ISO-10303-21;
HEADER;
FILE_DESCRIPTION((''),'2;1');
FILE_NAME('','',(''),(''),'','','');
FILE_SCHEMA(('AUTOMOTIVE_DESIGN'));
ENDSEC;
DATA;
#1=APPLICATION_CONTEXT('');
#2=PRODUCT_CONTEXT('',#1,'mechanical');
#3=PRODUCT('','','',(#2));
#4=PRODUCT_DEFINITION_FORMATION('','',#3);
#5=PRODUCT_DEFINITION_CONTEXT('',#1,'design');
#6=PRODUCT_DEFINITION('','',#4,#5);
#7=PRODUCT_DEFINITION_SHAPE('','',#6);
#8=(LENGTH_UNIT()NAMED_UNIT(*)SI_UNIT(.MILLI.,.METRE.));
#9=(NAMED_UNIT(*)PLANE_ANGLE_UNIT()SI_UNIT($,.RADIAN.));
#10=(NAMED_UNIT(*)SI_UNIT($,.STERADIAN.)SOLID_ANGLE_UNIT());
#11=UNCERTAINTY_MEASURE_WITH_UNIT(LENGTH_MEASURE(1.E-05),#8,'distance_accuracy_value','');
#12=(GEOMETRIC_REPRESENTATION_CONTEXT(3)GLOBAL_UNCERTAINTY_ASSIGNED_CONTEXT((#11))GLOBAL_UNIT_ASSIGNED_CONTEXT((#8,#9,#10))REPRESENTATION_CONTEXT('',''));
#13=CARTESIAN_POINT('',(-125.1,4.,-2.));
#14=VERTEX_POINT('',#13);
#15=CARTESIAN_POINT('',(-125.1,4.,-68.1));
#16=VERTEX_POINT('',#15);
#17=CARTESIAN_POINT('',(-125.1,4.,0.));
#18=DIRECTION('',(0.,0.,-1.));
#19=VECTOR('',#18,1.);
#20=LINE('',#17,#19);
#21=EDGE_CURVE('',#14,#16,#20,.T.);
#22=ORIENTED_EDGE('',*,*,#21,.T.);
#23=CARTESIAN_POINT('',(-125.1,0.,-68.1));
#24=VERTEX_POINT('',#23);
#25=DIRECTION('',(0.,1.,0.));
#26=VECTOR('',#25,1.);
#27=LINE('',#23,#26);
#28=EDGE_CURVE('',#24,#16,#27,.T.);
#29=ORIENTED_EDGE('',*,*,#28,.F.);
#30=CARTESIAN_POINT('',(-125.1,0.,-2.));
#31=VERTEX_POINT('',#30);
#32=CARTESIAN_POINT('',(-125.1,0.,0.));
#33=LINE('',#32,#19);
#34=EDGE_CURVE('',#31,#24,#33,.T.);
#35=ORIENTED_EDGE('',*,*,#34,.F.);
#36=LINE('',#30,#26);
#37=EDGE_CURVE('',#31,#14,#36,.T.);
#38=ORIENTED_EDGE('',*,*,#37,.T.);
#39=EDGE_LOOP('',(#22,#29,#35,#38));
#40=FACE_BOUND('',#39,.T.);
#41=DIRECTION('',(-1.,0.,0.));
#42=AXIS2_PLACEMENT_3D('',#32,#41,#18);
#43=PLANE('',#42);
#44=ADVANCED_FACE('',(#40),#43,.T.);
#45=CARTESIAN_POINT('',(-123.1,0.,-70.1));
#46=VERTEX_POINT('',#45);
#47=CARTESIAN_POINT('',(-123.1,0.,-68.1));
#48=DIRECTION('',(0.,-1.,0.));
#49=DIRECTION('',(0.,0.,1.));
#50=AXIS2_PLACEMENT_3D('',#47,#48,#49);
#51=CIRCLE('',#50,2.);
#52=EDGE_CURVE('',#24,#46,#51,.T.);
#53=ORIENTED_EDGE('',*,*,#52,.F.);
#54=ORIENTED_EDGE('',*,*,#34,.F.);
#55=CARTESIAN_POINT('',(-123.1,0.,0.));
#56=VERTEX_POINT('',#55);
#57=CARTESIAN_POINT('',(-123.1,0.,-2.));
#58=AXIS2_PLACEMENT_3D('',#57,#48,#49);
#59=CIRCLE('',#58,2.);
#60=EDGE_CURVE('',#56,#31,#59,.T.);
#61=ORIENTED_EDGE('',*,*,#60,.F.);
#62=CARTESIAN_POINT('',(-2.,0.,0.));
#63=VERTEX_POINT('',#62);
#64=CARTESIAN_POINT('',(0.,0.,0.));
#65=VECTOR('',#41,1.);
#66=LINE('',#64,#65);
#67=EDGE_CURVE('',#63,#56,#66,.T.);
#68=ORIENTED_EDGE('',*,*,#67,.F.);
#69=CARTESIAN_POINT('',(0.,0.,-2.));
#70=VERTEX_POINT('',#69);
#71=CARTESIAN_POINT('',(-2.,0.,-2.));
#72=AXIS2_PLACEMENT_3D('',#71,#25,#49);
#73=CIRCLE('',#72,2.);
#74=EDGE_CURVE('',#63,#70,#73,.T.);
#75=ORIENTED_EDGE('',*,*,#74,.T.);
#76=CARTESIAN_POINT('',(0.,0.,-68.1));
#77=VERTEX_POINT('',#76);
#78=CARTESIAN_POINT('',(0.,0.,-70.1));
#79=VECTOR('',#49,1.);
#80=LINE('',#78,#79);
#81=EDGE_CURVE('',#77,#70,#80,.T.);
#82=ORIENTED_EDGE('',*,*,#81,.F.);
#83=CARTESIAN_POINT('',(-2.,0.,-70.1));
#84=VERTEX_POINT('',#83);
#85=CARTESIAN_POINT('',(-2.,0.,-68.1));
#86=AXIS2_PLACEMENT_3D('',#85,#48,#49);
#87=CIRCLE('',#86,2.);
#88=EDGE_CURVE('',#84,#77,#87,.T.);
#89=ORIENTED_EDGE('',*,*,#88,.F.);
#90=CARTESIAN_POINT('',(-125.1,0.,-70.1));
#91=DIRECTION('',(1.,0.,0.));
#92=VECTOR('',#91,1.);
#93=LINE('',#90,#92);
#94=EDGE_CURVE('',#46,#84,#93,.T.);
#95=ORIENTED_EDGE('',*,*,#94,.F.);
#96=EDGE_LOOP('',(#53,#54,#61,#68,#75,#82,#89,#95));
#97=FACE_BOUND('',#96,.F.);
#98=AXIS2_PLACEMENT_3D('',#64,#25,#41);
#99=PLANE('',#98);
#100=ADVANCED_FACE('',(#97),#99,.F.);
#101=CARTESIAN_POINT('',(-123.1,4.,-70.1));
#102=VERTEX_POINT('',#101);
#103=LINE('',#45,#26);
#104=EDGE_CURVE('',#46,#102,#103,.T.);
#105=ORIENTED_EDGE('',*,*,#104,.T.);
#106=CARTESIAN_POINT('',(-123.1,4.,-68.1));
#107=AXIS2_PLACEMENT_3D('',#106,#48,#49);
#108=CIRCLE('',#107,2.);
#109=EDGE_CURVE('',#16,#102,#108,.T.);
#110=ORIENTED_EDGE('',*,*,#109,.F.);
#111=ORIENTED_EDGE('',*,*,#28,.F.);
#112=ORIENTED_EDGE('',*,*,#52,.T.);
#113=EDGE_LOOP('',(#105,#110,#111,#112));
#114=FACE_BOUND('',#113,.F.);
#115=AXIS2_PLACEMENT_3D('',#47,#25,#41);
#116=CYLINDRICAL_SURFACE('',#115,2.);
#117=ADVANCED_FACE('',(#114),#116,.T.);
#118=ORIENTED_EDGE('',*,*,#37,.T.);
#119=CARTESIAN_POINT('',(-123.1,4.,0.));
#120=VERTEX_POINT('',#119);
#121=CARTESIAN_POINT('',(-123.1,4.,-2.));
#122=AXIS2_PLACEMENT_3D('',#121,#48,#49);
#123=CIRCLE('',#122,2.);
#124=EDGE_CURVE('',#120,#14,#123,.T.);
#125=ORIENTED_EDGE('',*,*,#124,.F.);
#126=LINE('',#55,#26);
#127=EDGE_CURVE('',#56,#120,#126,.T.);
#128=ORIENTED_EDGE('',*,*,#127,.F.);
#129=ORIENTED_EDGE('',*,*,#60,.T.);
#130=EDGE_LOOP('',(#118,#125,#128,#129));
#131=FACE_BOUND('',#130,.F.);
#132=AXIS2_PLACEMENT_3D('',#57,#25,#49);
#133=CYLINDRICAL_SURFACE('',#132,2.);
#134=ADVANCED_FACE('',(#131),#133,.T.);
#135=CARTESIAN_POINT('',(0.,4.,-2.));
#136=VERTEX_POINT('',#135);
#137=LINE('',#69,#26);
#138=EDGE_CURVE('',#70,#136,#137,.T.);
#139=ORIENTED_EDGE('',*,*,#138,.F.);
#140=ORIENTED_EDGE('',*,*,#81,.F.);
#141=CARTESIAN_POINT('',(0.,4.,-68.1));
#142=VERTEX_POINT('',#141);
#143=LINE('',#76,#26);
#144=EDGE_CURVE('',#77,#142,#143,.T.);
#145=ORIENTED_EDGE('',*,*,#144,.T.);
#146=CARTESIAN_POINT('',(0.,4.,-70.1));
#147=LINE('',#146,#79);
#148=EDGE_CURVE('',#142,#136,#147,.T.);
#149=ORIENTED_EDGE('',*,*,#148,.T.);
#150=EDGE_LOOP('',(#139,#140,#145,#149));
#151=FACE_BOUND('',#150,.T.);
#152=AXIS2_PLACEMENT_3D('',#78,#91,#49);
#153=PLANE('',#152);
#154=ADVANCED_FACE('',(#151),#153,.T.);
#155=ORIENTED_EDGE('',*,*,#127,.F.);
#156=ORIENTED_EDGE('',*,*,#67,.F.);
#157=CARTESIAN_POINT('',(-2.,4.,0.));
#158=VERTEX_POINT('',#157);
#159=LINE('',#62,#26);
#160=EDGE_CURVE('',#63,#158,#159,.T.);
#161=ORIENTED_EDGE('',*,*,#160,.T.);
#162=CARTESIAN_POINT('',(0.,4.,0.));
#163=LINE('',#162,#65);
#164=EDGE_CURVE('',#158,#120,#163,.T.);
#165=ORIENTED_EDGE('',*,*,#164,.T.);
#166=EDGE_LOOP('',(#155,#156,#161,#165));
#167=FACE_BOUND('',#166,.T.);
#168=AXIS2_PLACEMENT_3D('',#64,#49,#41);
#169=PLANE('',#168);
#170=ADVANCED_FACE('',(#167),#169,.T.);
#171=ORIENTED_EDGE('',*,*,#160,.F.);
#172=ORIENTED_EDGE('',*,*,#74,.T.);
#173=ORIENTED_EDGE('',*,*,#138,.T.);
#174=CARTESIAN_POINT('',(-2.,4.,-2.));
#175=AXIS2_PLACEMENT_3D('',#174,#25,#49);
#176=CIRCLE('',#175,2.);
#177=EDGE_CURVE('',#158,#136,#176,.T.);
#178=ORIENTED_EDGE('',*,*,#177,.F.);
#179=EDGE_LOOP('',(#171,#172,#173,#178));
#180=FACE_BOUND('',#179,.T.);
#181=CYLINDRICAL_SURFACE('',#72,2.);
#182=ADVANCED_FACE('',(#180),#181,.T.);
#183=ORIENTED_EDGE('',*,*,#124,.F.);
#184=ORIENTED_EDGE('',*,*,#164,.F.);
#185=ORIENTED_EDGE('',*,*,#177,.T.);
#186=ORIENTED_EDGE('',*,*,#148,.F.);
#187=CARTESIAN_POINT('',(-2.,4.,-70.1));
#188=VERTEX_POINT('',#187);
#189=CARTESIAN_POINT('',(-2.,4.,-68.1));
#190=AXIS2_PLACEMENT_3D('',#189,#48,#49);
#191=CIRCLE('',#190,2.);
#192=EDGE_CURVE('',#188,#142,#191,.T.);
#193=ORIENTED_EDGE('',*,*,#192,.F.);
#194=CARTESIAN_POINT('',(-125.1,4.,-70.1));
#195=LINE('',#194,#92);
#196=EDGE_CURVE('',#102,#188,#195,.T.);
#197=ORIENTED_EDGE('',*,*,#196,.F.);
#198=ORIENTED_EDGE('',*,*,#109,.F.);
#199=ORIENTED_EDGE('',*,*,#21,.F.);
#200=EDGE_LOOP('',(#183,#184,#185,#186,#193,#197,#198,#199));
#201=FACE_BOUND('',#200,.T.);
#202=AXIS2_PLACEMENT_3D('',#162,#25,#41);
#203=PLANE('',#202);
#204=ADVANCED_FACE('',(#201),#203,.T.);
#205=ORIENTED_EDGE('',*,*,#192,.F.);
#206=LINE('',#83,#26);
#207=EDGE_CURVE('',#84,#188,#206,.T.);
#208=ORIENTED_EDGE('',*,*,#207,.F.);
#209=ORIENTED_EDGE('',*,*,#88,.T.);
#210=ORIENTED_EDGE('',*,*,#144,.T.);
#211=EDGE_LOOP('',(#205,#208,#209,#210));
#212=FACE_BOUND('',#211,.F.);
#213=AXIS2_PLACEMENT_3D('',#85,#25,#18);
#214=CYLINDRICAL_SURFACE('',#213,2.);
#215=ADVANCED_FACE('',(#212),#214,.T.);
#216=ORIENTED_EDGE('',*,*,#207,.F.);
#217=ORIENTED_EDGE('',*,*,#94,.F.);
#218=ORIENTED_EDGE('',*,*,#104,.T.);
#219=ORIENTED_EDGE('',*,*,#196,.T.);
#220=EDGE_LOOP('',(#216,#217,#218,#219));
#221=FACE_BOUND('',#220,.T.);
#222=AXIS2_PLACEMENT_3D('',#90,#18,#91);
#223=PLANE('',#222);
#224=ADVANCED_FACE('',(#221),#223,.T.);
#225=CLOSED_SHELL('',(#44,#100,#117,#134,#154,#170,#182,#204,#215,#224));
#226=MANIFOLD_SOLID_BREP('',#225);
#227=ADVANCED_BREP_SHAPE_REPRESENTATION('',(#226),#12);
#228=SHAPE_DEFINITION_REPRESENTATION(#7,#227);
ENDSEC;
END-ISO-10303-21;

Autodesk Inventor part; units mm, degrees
ref_plane "YZ Plane" through (0, 0, 0) normal (1, 0, 0) x (0, 1, 0)
ref_plane "XZ Plane" through (0, 0, 0) normal (0, 1, 0) x (-1, 0, 0)
ref_plane "XY Plane" through (0, 0, 0) normal (0, 0, 1) x (1, 0, 0)
sketch "Sketch2" plane through (0, 0, 0) normal (0, 1, 0) x (-1, 0, 0)
  line L0 (0, 0) -> (125.1, 0)
  line L1 (125.1, 0) -> (125.1, -70.1)
  line L2 (125.1, -70.1) -> (0, -70.1)
  line L3 (0, -70.1) -> (0, 0)
  dimension "d5" = 70.1
  dimension "d6" = 125.1
extrude "Extrusion2" add sketch "Sketch2" along normal blind 4
fillet "Fillet1" radius 2 4 edges at (-125.1, 2, 0) (-125.1, 2, -70.1) (0, 2, 0) (0, 2, -70.1)
properties part number "front"
